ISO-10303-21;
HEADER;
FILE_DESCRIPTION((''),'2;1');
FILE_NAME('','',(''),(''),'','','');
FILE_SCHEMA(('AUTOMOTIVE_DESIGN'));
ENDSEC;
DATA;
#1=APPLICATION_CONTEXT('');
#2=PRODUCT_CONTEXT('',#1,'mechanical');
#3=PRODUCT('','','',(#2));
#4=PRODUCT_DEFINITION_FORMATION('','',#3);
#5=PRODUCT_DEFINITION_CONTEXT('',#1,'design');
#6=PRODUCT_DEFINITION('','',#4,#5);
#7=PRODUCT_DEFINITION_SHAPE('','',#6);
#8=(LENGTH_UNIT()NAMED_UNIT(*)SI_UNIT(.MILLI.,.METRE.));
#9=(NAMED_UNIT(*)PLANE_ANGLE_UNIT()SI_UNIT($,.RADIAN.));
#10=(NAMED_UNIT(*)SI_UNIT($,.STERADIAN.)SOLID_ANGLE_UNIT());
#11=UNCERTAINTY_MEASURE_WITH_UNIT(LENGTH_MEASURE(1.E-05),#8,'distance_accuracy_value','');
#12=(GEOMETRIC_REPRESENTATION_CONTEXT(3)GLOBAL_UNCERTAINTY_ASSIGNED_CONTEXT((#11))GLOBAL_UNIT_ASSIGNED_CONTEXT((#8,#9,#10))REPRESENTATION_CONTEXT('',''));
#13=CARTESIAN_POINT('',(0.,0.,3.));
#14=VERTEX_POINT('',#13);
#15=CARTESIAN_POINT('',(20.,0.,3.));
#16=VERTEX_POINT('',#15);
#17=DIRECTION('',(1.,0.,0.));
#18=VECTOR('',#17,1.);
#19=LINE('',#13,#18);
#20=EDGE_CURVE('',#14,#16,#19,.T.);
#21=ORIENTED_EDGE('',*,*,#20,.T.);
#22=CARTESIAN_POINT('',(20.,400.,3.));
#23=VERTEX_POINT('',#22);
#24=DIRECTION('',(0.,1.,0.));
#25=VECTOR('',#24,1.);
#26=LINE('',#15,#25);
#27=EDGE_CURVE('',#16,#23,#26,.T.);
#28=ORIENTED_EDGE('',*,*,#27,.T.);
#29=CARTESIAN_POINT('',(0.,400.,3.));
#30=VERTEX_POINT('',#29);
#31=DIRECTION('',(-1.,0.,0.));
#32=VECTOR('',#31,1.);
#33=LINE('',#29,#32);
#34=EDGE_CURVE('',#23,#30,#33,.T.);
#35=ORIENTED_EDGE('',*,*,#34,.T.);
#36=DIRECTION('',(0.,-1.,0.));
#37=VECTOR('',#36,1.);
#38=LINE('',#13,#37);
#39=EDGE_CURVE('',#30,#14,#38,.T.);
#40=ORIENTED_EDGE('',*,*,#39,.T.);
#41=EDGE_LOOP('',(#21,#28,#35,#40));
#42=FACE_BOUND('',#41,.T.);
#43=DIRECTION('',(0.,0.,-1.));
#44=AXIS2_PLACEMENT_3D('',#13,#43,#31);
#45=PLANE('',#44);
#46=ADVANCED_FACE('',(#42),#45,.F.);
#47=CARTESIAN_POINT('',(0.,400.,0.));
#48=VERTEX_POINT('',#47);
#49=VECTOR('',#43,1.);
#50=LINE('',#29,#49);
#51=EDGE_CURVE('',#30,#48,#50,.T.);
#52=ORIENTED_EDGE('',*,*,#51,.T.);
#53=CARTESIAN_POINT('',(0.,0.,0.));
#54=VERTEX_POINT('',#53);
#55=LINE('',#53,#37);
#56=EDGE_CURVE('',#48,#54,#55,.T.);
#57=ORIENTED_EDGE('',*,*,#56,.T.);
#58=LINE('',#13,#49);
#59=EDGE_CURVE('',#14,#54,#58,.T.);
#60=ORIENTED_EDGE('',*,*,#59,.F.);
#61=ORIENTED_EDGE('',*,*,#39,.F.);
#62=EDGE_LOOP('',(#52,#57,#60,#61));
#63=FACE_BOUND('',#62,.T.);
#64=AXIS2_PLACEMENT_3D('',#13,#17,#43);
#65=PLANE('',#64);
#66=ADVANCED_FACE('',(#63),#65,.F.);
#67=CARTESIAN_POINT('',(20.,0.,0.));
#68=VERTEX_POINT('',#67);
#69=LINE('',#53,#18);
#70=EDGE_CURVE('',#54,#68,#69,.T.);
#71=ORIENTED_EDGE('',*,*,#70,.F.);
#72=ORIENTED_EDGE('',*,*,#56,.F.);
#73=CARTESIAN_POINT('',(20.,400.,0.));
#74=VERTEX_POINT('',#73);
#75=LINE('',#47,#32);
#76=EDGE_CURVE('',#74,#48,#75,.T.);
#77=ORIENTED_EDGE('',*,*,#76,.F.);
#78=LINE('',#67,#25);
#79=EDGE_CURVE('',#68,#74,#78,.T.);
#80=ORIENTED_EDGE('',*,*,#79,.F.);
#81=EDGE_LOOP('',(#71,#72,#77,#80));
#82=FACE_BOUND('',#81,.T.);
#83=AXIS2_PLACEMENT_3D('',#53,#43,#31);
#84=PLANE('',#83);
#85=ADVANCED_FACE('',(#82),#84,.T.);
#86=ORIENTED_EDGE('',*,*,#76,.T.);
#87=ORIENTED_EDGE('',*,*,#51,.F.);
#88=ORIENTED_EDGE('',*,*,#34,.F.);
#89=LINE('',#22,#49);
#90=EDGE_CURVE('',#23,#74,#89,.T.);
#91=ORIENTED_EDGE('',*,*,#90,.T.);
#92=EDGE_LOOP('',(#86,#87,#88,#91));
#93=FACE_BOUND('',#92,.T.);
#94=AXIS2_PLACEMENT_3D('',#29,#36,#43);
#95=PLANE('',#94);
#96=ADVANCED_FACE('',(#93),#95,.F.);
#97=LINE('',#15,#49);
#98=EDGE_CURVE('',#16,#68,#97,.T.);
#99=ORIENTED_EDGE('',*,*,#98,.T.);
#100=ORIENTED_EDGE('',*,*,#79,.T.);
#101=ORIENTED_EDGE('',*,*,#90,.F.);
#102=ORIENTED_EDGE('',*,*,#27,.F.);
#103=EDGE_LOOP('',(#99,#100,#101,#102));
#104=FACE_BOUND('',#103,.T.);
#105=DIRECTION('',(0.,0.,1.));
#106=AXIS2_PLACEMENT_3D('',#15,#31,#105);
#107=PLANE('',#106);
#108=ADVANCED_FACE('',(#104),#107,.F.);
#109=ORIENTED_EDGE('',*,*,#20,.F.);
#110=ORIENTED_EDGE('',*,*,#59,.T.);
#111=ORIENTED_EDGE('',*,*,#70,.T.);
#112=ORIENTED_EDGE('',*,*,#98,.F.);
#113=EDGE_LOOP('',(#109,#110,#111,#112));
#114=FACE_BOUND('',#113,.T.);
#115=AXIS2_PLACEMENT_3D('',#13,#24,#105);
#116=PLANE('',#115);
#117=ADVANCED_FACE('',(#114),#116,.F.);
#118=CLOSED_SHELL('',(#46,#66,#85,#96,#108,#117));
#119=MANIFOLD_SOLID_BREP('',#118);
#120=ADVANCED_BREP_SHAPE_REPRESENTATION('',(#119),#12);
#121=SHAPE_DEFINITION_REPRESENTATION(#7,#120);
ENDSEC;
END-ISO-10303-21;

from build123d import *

# Parameters (mm, degrees)
CROQUIS1_W              = 20
CROQUIS1_H              = 400
SALIENTE_EXTRUIR1_DEPTH = 3


with BuildPart() as part:
    # Croquis1 → Saliente-Extruir1 (new body)
    with BuildSketch(Plane.XY):
        with Locations((10, 200)):
            Rectangle(CROQUIS1_W, CROQUIS1_H)
    extrude(amount=SALIENTE_EXTRUIR1_DEPTH)


solid = part.part
